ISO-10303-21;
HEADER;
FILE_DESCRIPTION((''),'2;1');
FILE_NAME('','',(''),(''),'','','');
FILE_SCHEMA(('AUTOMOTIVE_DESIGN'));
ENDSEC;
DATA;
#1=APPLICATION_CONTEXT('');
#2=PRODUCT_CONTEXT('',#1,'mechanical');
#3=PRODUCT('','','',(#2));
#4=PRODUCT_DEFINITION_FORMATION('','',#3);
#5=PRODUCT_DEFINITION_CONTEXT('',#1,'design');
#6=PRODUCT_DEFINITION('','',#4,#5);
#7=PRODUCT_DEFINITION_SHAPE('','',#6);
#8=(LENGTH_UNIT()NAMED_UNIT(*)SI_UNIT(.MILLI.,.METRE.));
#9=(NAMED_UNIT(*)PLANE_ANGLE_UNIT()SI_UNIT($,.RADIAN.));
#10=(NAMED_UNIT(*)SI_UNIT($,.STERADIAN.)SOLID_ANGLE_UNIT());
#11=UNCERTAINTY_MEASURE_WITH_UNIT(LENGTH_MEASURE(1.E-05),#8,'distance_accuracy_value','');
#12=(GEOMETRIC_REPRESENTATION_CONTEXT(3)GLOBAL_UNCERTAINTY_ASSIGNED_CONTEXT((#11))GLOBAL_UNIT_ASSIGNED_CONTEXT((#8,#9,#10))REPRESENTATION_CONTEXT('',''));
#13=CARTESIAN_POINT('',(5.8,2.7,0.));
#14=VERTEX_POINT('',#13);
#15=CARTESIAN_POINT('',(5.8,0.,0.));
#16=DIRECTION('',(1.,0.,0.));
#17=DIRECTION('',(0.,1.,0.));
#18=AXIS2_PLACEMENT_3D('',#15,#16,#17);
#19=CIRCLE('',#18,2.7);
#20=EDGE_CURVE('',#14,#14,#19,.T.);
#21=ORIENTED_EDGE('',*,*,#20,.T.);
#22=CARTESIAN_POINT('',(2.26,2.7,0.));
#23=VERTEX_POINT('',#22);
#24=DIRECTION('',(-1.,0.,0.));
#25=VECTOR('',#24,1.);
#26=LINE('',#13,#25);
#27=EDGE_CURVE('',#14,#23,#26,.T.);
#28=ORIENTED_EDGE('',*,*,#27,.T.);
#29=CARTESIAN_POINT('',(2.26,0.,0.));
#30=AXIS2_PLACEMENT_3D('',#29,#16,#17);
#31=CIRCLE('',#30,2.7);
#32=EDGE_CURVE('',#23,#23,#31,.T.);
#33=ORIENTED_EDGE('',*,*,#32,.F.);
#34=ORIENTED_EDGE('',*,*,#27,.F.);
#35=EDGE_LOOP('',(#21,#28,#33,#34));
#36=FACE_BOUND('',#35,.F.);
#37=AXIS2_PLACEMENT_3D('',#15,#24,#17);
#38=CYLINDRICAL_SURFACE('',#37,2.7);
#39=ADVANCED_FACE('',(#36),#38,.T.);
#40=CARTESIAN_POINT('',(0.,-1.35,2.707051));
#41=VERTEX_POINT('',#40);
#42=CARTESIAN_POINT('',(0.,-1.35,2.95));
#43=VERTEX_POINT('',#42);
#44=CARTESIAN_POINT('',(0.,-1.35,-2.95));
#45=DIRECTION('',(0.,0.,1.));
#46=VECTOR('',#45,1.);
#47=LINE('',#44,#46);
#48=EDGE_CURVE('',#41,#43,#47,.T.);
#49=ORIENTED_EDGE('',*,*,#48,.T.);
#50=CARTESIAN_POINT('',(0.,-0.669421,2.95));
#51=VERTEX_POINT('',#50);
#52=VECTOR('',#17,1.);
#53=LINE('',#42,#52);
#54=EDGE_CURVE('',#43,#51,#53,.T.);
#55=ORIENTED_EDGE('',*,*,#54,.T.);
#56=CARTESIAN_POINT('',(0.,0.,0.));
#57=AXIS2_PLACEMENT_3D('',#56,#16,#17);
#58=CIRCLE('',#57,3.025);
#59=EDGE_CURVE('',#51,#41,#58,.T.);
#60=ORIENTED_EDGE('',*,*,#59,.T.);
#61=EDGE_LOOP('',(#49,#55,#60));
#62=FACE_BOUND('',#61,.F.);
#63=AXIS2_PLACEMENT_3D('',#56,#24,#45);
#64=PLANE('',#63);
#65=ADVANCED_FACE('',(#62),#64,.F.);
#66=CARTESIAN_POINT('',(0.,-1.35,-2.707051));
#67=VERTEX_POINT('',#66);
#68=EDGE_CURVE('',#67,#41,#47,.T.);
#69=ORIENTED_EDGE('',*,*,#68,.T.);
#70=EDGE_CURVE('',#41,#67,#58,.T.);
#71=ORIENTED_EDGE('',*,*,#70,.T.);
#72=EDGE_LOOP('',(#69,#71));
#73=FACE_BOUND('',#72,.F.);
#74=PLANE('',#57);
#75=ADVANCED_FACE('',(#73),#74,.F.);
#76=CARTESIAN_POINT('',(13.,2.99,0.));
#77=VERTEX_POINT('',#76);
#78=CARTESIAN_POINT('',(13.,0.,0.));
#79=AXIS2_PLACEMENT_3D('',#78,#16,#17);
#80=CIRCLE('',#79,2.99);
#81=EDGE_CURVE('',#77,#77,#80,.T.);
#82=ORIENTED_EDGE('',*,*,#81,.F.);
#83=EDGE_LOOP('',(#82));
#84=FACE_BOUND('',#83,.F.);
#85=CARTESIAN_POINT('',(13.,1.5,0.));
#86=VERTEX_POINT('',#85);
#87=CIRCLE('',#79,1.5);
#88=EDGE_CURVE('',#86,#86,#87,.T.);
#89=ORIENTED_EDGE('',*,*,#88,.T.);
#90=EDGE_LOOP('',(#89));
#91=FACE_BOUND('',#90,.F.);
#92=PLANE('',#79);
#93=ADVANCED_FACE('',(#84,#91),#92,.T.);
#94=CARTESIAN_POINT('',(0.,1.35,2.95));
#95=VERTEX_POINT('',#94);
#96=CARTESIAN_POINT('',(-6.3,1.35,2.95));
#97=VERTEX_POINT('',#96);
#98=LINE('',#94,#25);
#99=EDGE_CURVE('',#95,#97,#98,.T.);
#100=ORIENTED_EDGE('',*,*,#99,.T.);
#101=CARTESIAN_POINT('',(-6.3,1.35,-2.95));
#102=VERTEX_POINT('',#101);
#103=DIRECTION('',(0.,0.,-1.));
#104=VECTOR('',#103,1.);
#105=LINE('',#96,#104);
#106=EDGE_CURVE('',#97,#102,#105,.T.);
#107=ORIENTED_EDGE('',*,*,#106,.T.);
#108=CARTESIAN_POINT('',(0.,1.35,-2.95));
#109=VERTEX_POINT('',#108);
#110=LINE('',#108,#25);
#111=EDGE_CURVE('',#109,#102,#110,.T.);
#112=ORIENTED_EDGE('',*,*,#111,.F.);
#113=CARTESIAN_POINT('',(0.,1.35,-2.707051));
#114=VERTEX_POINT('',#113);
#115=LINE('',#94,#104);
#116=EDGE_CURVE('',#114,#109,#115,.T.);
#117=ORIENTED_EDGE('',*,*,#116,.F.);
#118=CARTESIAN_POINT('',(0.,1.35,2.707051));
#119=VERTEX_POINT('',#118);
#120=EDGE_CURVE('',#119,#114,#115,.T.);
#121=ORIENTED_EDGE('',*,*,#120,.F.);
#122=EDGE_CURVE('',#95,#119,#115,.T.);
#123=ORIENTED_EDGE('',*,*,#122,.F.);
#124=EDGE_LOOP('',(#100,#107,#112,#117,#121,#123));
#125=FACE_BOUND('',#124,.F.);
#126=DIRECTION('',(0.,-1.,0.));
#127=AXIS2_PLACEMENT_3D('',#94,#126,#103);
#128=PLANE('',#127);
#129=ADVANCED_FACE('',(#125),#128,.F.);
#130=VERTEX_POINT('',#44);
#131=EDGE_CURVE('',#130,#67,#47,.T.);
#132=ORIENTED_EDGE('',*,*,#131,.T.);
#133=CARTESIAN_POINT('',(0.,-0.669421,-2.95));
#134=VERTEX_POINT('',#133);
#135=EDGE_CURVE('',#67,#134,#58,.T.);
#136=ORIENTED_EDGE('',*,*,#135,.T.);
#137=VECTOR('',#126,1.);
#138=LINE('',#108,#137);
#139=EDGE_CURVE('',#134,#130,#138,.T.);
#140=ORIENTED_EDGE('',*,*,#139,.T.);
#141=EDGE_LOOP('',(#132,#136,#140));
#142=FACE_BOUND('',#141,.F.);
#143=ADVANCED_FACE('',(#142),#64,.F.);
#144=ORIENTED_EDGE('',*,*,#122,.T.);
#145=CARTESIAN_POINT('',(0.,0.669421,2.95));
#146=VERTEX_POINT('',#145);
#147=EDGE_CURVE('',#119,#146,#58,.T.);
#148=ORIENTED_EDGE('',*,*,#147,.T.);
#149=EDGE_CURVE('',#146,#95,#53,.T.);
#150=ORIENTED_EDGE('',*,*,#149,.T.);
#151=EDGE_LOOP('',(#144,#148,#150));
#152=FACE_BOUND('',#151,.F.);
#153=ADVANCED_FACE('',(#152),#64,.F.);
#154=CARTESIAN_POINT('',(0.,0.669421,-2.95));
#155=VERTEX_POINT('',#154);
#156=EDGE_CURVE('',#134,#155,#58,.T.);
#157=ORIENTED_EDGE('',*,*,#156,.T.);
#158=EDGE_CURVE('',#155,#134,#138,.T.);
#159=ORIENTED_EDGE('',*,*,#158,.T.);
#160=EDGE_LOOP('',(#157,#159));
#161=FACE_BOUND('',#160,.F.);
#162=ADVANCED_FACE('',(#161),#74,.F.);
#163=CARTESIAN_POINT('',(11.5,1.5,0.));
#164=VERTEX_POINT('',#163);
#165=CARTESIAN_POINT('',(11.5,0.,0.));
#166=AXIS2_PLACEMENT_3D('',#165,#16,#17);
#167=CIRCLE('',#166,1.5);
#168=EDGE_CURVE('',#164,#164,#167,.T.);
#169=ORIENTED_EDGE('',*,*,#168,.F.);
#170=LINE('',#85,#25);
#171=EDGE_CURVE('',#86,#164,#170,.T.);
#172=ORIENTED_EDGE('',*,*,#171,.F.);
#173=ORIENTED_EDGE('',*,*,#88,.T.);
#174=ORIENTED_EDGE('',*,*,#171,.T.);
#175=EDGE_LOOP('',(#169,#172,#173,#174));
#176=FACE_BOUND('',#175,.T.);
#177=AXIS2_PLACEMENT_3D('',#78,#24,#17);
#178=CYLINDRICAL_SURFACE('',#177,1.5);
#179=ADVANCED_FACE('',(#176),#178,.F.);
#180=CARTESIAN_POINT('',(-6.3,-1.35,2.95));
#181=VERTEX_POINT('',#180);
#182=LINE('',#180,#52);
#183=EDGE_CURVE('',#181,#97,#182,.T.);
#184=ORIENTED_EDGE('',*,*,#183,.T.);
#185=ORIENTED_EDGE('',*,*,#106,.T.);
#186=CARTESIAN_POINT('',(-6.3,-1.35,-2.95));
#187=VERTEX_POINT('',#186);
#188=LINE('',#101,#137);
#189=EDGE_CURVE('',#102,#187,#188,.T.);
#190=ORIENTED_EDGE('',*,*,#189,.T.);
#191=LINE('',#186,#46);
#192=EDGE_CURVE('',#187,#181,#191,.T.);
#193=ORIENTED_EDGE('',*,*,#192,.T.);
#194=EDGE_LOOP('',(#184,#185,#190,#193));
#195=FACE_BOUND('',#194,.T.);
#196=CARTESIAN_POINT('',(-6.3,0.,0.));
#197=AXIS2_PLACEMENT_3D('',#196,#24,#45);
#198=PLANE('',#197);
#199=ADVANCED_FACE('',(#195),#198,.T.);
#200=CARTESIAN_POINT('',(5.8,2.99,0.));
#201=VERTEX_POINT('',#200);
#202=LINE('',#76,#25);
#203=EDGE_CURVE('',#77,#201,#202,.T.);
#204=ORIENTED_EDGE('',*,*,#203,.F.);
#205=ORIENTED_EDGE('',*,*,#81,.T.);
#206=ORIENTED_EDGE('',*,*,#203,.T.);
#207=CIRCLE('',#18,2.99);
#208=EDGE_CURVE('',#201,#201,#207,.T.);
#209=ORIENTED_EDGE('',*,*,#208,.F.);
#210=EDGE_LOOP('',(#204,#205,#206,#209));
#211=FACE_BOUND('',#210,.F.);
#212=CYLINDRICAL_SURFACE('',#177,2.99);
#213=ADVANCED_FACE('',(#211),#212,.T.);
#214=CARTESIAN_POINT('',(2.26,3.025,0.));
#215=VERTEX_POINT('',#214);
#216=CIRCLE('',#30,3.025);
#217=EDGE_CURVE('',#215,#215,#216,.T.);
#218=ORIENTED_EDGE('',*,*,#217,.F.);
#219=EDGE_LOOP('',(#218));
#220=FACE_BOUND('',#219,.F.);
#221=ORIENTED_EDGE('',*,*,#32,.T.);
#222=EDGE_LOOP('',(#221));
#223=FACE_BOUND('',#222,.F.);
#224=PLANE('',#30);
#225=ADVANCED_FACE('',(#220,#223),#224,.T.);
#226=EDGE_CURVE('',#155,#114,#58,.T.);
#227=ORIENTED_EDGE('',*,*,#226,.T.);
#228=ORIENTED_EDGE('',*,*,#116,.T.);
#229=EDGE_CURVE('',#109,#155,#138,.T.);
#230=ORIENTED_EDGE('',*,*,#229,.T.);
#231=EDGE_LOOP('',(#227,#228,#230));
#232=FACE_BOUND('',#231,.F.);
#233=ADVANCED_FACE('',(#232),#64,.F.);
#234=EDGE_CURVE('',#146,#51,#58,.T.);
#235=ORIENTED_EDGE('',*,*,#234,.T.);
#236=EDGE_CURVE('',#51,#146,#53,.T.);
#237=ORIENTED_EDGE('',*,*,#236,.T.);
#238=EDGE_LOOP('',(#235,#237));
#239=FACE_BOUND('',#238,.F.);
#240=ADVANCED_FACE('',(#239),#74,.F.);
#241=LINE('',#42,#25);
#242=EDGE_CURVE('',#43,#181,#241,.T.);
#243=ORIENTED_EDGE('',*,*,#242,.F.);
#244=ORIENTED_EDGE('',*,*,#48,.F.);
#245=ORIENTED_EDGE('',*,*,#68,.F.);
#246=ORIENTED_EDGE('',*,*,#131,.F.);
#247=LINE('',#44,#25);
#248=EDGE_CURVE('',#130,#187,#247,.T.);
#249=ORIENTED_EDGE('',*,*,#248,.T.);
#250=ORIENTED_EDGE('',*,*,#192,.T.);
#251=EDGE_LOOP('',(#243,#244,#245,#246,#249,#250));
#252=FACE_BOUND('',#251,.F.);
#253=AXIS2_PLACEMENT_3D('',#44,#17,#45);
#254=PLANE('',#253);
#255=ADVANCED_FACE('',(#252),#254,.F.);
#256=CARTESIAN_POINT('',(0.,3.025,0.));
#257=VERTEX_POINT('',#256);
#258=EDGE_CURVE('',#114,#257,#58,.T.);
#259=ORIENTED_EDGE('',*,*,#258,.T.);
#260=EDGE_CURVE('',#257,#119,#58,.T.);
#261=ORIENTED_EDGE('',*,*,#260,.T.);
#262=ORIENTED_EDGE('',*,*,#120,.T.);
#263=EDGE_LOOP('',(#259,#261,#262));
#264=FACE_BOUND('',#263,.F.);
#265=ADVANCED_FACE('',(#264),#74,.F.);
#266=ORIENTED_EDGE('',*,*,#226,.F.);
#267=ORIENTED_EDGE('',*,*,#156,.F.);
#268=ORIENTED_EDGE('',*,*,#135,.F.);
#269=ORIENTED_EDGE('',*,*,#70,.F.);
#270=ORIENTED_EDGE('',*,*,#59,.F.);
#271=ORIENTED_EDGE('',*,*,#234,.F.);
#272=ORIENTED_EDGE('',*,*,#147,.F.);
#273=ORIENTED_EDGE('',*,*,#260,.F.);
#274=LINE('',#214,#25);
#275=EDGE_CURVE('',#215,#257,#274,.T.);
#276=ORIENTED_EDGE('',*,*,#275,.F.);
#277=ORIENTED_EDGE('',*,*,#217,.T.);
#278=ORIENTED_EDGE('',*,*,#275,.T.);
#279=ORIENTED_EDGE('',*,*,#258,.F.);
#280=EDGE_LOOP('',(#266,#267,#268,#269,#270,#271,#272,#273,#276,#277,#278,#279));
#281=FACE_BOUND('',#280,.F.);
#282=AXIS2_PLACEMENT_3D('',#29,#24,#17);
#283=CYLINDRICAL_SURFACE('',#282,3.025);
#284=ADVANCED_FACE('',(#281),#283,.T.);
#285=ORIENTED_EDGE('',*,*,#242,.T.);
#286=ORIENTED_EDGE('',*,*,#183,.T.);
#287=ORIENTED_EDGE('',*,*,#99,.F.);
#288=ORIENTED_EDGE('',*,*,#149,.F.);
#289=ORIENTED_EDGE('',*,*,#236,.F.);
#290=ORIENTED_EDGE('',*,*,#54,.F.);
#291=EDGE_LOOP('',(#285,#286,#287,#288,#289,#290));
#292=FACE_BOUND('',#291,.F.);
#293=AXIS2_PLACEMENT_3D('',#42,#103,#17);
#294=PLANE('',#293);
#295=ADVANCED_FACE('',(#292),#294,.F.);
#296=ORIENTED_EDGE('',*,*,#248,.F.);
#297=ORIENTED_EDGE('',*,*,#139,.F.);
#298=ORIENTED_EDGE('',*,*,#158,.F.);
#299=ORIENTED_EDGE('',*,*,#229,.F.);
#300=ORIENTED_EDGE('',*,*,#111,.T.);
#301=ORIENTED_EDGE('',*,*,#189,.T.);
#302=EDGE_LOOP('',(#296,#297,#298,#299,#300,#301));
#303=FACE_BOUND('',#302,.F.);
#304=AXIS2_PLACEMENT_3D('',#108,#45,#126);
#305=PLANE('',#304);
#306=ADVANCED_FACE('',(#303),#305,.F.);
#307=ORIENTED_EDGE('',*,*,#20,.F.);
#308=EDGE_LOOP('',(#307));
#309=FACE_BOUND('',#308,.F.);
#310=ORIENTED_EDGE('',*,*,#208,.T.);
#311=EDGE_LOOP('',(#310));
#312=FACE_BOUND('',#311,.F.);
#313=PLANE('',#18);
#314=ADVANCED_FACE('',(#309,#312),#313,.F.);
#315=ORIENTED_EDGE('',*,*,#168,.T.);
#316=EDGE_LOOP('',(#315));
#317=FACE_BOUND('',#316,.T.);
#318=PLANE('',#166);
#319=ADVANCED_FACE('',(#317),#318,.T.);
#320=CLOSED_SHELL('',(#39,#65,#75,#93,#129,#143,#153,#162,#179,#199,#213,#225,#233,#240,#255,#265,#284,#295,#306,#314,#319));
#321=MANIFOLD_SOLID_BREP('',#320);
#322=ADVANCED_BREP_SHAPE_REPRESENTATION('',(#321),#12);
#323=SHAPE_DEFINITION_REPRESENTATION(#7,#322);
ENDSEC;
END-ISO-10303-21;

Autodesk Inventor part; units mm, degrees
ref_plane "YZ Plane" through (0, 0, 0) normal (1, 0, 0) x (0, 1, 0)
ref_plane "XZ Plane" through (0, 0, 0) normal (0, 1, 0) x (-1, 0, 0)
ref_plane "XY Plane" through (0, 0, 0) normal (0, 0, 1) x (1, 0, 0)
sketch "Sketch1" plane through (0, 0, 0) normal (0, 0, 1) x (1, 0, 0)
  line L0 (0, 0) -> (11.5, 0)
  line L1 (13, 1.5) -> (13, 2.99)
  line L2 (13, 2.99) -> (5.8, 2.99)
  line L3 (5.8, 2.99) -> (5.8, 2.7)
  line L4 (5.8, 2.7) -> (2.26, 2.7)
  line L5 (2.26, 2.7) -> (2.26, 3.025)
  line L6 (2.26, 3.025) -> (0, 3.025)
  line L7 (0, 3.025) -> (0, 0)
  line L8 (13, 1.5) -> (11.5, 1.5)
  line L9 (11.5, 1.5) -> (11.5, 0)
  dimension "d0" = 7.2
  dimension "d1" = 5.98
  dimension "d2" = 2.26
  dimension "d3" = 6.05
  dimension "d4" = 3
  dimension "d5" = 1.5
  dimension "d6" = 13
  dimension "d7" = 5.4
revolve "Revolution1" add sketch "Sketch1" angle 360 about axis through (0, 0, 0) along (1, 0, 0)
sketch "Sketch2" plane through (0, 0, 0) normal (-1, 0, 0) x (0, 0, 1)
  line L0 (-2.95, -1.35) -> (2.95, -1.35)
  line L1 (2.95, -1.35) -> (2.95, 1.35)
  line L2 (2.95, 1.35) -> (-2.95, 1.35)
  line L3 (-2.95, 1.35) -> (-2.95, -1.35)
  line L4 (-2.95, -1.35) -> (2.95, 1.35) construction
  line L5 (2.95, -1.35) -> (-2.95, 1.35) construction
  point P0 (0, 0)
  dimension "d9" = 5.9
  dimension "d10" = 2.7
extrude "Extrusion1" add sketch "Sketch2" along normal blind 6.3
properties part number "laser_taida_6mm" material "Brass, Soft Yellow"
